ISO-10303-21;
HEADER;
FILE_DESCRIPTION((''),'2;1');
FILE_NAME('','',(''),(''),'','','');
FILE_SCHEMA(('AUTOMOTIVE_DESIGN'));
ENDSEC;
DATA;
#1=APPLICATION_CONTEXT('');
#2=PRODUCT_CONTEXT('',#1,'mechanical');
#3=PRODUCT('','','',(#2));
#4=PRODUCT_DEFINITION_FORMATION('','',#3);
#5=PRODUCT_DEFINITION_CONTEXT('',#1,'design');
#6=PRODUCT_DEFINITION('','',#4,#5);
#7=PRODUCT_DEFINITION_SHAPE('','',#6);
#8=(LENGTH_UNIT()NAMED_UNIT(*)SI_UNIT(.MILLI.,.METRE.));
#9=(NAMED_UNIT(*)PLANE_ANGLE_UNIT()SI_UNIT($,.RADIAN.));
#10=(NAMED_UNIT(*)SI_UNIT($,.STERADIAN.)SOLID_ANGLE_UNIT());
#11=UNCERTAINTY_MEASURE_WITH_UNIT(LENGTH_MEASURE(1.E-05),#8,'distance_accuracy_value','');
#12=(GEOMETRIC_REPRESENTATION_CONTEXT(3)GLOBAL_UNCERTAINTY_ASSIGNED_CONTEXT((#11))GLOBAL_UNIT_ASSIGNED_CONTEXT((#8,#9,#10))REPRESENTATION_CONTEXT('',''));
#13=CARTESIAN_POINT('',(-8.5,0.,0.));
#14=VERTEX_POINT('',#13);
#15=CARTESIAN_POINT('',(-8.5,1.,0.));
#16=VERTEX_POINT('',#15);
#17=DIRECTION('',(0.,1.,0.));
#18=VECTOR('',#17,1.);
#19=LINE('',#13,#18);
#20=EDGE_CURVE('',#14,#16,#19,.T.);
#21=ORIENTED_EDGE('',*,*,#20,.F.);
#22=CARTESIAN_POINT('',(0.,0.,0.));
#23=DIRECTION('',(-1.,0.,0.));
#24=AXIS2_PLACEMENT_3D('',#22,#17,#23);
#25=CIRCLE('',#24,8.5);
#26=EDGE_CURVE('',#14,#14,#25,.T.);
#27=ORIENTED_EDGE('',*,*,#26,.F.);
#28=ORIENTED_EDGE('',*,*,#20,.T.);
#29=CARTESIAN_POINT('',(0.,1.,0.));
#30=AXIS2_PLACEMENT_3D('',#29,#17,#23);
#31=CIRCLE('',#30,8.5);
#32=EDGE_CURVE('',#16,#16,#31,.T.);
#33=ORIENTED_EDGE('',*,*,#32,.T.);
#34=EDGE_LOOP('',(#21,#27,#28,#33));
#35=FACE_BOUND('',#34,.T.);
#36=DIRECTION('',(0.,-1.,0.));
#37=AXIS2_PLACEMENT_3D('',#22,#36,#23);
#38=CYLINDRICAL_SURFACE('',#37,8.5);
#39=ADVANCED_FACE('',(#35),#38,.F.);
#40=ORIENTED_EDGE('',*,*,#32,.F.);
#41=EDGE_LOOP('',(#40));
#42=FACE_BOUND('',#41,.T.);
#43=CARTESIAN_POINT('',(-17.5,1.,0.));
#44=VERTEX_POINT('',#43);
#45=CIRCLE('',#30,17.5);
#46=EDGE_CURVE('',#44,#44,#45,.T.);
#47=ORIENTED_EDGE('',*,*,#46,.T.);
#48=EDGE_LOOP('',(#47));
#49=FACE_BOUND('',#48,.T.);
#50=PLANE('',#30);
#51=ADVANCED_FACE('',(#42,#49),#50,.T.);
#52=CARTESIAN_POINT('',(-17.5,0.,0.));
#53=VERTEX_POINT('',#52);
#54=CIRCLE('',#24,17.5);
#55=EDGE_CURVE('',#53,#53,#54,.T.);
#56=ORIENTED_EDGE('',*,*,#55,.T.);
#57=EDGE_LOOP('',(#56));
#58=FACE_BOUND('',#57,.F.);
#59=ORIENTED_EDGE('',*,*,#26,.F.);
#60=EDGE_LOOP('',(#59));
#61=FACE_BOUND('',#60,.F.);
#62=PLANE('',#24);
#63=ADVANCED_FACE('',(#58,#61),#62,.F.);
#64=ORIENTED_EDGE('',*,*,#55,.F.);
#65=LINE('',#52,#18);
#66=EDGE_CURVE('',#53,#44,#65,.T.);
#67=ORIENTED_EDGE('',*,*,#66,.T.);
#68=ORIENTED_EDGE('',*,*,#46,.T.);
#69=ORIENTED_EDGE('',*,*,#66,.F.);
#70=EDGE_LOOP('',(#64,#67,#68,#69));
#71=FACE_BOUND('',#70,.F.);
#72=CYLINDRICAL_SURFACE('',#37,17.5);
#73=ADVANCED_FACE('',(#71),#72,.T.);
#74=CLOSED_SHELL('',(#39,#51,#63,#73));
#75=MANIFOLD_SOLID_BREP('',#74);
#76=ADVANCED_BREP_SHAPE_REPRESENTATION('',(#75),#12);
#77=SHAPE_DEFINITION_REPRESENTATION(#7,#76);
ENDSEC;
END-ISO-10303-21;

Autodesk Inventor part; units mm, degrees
ref_plane "YZ Plane" through (0, 0, 0) normal (1, 0, 0) x (0, 1, 0)
ref_plane "XZ Plane" through (0, 0, 0) normal (0, 1, 0) x (-1, 0, 0)
ref_plane "XY Plane" through (0, 0, 0) normal (0, 0, 1) x (1, 0, 0)
sketch "スケッチ1" plane through (0, 0, 0) normal (0, 1, 0) x (-1, 0, 0)
  circle A0 centre (0, 0) radius 8.5
  circle A1 centre (0, 0) radius 17.5
  dimension "d0" = 17
  dimension "d1" = 35
extrude "押し出し1" add sketch "スケッチ1" along normal blind 1
properties part number "spacer_17"
